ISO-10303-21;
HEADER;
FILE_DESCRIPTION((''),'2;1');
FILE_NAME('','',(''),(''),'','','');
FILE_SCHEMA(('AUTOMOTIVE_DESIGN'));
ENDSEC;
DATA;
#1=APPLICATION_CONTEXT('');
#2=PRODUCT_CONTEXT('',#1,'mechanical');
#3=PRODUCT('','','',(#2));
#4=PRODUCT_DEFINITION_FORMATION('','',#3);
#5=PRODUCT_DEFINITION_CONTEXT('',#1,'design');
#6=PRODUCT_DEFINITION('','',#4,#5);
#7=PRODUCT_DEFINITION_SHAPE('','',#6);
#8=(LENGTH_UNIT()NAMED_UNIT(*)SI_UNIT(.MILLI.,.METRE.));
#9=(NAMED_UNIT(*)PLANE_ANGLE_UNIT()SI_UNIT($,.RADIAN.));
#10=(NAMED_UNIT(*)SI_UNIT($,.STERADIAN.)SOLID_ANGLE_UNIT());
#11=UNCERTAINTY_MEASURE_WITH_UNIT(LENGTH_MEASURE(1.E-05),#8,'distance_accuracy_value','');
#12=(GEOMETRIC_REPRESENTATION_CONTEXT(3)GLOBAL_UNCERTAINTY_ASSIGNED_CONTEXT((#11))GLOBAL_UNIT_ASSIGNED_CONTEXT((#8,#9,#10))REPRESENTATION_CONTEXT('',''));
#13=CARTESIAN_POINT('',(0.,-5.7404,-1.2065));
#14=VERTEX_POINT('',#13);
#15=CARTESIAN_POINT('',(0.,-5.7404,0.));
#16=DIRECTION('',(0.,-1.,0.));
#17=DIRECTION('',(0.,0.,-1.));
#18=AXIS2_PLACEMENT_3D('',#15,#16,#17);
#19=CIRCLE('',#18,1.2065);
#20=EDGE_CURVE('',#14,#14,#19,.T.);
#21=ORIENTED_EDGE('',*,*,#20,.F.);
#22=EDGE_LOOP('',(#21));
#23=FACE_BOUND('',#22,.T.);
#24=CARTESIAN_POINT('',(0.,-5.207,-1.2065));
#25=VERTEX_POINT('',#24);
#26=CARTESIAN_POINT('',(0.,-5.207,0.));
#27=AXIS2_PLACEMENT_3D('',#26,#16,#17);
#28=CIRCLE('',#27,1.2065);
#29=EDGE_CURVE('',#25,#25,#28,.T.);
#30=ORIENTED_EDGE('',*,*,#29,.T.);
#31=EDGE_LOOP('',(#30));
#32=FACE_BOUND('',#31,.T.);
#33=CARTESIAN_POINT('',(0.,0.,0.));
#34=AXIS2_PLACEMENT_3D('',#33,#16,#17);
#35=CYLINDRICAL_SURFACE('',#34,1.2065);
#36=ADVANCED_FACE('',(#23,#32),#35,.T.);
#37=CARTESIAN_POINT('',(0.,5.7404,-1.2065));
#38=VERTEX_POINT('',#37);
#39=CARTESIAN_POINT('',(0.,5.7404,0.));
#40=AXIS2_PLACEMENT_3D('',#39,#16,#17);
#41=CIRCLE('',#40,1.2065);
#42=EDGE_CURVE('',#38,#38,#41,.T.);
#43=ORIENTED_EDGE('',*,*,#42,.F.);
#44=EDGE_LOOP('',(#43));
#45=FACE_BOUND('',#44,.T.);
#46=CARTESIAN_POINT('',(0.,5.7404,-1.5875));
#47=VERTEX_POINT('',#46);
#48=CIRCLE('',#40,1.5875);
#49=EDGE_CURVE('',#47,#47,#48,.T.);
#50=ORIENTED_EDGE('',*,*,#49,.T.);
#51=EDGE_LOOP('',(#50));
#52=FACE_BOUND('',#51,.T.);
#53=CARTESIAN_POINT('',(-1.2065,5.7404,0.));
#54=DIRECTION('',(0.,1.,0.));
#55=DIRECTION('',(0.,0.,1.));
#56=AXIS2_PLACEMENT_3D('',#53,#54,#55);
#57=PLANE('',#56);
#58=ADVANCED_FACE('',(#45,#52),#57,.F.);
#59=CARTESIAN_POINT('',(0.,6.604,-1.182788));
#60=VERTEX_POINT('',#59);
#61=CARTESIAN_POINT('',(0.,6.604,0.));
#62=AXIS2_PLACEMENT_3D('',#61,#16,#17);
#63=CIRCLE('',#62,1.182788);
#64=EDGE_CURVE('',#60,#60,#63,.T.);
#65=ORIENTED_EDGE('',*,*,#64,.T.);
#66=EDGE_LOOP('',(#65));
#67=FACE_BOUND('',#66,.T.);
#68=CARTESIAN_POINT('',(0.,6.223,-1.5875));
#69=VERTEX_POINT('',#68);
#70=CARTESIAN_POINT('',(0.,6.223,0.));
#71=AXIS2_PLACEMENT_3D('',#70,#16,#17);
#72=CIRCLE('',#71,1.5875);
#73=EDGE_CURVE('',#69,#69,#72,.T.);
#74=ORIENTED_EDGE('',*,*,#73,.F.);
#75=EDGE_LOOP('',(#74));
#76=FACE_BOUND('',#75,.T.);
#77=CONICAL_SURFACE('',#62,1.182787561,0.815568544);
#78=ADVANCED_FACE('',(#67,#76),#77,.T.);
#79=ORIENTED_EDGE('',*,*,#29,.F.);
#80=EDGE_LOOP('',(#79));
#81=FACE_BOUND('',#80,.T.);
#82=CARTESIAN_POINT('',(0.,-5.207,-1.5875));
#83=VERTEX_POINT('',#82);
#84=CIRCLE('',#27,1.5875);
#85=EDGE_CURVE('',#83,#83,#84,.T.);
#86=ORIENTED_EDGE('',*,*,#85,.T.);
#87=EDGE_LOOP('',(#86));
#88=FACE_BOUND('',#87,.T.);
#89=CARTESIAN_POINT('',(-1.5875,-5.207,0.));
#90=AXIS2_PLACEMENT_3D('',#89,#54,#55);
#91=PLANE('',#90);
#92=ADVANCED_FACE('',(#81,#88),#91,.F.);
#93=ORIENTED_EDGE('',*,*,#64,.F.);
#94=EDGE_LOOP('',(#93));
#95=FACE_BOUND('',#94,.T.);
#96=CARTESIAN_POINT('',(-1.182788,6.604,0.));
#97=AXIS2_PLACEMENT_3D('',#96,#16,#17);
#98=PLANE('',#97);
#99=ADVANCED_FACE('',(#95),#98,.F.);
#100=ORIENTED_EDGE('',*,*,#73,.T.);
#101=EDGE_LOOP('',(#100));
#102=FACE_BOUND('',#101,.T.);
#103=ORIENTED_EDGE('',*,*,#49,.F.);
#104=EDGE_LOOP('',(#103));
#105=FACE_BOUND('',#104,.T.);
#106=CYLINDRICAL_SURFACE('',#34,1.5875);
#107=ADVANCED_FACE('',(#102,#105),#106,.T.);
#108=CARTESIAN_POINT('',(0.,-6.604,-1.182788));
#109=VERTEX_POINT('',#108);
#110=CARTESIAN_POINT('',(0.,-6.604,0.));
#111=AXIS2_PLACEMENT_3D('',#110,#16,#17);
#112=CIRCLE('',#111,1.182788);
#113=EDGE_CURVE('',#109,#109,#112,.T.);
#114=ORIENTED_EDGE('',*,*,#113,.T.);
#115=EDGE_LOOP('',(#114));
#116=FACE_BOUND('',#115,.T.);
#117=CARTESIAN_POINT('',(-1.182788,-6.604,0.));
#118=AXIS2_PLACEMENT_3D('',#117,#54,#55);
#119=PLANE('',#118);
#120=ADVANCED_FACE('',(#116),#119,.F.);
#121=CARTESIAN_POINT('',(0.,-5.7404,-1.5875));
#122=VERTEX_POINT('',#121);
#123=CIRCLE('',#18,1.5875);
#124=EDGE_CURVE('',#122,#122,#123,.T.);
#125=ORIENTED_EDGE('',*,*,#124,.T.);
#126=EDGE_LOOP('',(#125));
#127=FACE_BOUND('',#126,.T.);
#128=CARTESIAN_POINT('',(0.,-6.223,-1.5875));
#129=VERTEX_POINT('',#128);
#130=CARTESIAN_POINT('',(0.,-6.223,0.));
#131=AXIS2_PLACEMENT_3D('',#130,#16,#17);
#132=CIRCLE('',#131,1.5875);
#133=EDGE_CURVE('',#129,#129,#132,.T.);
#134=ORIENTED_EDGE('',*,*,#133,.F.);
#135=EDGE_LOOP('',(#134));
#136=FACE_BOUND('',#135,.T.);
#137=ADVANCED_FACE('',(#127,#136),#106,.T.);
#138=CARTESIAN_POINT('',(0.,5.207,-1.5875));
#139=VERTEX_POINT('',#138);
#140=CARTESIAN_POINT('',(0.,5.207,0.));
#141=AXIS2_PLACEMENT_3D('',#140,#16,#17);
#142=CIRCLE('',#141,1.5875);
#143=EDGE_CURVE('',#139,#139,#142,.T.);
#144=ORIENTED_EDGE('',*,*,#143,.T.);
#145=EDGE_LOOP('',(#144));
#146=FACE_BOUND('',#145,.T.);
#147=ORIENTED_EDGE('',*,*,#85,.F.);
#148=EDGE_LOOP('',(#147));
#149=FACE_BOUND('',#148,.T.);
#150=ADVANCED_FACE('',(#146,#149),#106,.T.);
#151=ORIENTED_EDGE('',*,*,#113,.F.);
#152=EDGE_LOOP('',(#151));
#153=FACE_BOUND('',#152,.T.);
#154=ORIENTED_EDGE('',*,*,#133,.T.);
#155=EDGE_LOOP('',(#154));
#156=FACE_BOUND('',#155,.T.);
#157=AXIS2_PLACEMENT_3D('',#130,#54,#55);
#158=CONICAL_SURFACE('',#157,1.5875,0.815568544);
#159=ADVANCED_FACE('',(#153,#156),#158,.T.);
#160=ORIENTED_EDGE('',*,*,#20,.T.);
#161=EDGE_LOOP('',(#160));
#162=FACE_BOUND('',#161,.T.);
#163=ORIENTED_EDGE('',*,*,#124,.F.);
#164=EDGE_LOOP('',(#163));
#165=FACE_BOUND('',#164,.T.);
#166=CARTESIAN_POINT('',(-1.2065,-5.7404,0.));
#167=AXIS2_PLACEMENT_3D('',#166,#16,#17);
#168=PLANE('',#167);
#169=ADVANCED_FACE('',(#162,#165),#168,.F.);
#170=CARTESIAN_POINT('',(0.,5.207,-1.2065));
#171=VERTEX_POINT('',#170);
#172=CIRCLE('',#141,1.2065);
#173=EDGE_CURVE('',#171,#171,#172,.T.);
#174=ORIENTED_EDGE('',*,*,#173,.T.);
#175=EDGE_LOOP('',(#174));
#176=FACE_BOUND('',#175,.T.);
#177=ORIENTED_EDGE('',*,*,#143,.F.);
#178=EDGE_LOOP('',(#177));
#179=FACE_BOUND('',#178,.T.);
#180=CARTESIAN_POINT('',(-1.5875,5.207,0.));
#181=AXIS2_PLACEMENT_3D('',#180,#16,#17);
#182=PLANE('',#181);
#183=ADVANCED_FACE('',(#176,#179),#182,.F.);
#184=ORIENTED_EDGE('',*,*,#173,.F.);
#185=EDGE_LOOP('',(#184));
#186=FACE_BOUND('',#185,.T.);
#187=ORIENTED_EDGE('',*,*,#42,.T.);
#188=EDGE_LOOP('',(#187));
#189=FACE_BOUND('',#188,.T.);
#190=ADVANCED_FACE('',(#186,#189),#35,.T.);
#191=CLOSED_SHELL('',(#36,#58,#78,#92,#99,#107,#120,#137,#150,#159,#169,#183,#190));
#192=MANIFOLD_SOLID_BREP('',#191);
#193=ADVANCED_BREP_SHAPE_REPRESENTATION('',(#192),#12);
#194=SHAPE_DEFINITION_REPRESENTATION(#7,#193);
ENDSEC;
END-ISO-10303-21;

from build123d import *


with BuildPart() as part:
    # Sketch2 → Revolve4 (revolve)
    with BuildSketch(Plane.XY):
        Polygon((-1.5875, -5.207), (-1.5875, 5.207), (-1.2065, 5.207), (-1.2065, 5.7404), (-1.5875, 5.7404), (-1.5875, 6.223), (-1.182787561, 6.604), (0, 6.604), (0, -6.604), (-1.182787561, -6.604), (-1.5875, -6.223), (-1.5875, -5.7404), (-1.2065, -5.7404), (-1.2065, -5.207), align=None)
    revolve(axis=Axis((0, 0, 0), (0, 1, 0)))


solid = part.part
